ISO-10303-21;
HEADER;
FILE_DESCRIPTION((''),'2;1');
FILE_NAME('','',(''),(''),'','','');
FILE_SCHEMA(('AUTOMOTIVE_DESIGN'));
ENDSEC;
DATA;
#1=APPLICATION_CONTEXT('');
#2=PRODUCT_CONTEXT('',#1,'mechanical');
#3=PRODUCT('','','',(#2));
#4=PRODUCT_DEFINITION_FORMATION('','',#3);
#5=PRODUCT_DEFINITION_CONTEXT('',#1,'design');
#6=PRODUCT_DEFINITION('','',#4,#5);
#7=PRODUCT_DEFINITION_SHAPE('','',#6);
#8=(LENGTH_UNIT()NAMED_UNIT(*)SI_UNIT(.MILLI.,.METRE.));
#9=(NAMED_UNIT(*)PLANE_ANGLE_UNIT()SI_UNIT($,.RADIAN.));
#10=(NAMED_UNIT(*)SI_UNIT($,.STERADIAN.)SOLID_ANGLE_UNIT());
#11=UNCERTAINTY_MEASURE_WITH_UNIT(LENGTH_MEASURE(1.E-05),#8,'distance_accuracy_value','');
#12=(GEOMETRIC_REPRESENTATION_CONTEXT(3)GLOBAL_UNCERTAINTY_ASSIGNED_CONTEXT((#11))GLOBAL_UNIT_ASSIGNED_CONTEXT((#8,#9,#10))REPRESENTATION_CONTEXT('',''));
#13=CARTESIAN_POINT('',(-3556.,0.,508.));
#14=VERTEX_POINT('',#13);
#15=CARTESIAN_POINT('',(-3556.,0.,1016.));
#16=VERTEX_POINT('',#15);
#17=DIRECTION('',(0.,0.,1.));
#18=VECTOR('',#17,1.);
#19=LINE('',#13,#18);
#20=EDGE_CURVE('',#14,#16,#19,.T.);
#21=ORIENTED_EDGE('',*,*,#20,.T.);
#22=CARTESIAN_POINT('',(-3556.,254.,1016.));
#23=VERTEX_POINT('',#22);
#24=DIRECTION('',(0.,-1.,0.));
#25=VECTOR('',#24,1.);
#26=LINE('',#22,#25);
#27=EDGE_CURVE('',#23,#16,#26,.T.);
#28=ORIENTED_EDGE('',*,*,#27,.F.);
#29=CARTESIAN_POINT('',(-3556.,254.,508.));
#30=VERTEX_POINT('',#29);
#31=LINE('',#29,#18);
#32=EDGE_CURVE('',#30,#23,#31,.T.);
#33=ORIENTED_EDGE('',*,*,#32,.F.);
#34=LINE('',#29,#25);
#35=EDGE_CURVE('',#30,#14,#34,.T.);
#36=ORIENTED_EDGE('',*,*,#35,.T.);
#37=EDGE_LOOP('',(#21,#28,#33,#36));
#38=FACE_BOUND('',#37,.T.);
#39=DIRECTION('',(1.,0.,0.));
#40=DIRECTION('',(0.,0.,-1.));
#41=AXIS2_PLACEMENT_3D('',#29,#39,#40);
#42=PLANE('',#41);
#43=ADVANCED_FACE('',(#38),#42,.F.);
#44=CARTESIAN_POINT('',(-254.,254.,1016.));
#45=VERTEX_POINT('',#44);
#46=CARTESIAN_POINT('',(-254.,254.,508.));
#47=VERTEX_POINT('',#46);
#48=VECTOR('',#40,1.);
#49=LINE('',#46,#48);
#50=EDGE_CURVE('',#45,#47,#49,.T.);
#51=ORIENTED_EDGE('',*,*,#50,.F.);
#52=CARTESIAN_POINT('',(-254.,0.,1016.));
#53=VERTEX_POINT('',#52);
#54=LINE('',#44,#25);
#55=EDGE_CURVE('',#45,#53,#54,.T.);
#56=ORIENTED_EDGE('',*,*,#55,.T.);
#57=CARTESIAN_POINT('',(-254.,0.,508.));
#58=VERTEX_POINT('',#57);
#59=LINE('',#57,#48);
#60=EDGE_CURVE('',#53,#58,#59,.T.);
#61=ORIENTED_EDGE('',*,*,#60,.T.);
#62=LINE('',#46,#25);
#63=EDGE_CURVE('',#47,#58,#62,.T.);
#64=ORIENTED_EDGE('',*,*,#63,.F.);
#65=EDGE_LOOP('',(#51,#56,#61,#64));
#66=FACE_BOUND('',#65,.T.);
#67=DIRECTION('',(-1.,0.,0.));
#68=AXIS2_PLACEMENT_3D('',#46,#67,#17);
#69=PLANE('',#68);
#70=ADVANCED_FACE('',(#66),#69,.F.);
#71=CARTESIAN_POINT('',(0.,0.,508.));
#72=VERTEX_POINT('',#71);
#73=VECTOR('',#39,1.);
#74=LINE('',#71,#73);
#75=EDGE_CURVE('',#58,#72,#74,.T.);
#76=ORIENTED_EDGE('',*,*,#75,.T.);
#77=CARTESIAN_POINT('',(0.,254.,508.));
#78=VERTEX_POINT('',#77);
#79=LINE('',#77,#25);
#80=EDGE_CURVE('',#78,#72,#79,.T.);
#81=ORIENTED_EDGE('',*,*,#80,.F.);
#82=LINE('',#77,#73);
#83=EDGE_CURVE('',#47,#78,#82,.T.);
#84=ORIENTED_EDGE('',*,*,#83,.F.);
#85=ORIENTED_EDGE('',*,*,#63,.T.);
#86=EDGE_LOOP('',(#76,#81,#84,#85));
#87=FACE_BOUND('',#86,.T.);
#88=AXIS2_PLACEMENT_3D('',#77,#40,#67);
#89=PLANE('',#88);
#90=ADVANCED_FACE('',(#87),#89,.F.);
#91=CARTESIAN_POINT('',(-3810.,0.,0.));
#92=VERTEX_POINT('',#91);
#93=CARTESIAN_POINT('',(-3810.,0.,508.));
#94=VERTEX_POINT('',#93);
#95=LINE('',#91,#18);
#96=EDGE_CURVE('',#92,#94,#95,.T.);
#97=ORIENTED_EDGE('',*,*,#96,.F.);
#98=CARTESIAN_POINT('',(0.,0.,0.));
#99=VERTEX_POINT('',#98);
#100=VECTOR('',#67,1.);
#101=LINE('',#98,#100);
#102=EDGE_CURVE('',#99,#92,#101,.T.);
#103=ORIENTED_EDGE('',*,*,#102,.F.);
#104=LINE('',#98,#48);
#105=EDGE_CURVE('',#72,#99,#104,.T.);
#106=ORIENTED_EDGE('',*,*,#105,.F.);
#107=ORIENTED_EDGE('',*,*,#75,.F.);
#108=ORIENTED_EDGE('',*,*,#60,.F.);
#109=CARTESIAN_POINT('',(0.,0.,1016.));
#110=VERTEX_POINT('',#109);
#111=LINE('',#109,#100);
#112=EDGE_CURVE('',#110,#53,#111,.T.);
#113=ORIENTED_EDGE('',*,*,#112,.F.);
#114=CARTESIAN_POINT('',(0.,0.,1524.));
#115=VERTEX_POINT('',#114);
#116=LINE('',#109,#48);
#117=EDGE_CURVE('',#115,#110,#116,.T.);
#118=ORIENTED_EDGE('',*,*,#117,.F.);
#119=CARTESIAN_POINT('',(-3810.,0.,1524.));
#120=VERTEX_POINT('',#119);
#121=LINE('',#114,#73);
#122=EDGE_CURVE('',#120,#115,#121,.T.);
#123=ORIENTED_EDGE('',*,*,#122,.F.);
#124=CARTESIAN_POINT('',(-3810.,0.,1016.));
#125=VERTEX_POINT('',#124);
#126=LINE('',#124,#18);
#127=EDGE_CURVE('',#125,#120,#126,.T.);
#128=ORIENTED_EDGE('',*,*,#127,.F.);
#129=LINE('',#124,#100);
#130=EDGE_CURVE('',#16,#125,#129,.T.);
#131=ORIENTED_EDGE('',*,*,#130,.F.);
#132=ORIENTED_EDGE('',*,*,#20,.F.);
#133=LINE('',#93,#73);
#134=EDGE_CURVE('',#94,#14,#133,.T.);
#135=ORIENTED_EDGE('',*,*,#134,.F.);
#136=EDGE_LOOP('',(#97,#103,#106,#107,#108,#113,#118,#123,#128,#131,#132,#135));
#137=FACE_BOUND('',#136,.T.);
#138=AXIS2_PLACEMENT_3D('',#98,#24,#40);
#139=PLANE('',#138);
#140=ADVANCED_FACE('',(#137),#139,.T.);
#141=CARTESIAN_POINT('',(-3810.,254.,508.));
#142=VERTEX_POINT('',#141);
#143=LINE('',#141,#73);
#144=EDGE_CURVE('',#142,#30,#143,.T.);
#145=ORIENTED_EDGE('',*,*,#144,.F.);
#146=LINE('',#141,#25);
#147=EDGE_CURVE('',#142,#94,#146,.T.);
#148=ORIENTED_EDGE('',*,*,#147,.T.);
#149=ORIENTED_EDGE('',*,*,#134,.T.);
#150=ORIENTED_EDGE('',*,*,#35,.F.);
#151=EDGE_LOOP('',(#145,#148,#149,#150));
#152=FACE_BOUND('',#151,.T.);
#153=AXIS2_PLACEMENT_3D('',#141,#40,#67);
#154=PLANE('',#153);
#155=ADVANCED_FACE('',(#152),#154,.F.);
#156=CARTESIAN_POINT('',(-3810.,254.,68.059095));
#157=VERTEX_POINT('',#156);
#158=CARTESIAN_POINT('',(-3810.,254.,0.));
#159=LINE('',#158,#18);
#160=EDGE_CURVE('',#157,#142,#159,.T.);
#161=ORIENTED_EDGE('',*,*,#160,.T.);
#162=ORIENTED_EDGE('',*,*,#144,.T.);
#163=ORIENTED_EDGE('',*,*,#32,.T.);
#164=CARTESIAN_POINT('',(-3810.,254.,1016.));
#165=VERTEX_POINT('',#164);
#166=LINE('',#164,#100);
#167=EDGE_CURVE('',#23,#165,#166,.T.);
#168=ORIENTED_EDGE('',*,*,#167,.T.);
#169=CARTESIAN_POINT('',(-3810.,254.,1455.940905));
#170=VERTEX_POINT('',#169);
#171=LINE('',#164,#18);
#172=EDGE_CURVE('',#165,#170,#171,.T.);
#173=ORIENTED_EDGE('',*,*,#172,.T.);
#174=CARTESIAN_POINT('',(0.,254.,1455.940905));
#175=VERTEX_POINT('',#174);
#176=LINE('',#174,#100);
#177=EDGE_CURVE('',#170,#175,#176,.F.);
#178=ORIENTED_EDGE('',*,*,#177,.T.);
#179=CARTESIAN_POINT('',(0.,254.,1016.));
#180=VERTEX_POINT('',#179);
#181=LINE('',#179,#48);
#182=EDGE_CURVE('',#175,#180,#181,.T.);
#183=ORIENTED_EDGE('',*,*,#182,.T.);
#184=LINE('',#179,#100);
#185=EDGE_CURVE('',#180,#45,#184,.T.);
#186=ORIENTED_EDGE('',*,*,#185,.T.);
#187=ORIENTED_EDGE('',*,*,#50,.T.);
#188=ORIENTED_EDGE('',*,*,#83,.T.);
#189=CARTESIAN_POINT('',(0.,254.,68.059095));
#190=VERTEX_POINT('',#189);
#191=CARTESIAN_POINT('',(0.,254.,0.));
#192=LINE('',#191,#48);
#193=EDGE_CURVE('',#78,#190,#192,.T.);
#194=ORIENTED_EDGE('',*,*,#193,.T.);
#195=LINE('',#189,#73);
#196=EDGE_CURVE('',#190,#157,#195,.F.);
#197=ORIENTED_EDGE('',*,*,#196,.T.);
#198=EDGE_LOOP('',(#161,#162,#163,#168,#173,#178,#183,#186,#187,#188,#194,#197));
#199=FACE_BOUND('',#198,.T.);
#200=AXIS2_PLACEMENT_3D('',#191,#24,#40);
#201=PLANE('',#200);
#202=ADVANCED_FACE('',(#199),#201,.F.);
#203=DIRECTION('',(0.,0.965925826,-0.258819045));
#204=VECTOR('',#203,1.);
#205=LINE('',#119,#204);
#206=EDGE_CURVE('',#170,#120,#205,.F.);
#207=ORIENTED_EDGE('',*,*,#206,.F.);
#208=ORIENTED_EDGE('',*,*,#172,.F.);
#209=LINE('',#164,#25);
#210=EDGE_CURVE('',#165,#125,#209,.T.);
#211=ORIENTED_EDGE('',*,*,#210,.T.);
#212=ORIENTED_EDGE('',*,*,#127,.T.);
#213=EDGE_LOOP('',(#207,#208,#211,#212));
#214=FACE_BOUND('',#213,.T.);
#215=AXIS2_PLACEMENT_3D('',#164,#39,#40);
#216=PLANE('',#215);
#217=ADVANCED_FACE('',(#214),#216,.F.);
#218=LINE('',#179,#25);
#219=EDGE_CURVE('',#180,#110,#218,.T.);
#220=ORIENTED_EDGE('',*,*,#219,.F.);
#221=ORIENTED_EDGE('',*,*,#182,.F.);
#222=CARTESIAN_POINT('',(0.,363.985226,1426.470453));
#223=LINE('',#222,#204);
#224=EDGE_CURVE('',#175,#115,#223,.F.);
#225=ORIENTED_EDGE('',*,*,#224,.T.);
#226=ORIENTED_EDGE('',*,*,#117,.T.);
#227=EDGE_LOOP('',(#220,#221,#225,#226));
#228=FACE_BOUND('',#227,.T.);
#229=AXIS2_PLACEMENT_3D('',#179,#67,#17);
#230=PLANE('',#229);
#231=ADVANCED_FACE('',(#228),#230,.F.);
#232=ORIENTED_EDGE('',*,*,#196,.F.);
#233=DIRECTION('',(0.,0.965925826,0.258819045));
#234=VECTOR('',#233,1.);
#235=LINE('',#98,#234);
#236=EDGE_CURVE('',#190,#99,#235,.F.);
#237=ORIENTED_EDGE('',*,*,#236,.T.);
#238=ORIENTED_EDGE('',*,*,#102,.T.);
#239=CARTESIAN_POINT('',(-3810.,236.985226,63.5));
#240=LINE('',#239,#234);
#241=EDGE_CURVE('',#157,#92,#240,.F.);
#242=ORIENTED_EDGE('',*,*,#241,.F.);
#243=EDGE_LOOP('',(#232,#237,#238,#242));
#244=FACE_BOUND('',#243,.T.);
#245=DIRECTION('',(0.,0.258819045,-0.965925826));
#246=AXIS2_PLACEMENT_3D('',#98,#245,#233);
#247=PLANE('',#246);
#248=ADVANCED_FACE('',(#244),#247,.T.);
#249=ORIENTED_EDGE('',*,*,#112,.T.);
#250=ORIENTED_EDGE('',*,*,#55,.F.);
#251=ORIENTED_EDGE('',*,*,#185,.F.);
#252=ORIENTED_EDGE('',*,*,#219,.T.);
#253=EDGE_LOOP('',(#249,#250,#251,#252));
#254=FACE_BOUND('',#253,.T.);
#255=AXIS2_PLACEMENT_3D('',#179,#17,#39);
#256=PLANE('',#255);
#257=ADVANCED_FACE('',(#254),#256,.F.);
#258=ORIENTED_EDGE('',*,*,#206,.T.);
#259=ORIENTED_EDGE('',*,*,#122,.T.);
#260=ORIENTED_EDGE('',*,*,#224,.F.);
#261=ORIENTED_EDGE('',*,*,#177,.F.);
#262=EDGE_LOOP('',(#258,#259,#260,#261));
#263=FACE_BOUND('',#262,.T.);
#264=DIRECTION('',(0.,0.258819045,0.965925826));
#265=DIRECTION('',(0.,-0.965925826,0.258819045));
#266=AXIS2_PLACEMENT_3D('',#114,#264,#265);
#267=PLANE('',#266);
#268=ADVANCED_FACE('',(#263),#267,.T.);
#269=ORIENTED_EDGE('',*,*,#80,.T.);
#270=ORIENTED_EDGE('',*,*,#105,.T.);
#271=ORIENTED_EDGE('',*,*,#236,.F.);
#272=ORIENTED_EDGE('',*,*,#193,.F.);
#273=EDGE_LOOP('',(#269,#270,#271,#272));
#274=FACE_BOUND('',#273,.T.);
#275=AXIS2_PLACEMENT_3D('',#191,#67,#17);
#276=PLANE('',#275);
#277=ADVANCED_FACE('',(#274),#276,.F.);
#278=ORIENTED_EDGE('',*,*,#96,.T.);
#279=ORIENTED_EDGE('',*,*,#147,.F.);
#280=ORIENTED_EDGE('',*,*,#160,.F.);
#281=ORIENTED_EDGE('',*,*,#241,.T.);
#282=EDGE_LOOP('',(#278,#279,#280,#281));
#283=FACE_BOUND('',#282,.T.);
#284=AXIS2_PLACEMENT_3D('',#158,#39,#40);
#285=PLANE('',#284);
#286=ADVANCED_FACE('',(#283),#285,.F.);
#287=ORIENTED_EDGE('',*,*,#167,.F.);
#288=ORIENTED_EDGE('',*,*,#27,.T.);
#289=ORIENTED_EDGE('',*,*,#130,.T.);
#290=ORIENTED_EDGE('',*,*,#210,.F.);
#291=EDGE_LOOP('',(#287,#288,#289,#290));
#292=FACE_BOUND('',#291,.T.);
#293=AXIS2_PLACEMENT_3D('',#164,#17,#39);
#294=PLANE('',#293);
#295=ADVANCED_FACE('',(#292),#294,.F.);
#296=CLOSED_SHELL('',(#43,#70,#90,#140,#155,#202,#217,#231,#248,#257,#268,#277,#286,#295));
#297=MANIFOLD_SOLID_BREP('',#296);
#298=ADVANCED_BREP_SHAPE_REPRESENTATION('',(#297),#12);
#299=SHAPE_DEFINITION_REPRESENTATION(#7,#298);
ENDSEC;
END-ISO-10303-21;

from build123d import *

# Parameters (mm, degrees)
BOSS_EXTRUDE1_DEPTH = 254
DRAFT1_ANGLE        = -15


with BuildPart() as part:
    # Sketch2 → Boss-Extrude1 (new body)
    with BuildSketch(Plane(origin=(0, 0, 0), x_dir=(1, 0, 0), z_dir=(0, 1, 0))):
        Polygon((-3810, -1016), (-3810, -1524), (0, -1524), (0, -1016), (-254, -1016), (-254, -508), (0, -508), (0, 0), (-3810, 0), (-3810, -508), (-3556, -508), (-3556, -1016), align=None)
    extrude(amount=BOSS_EXTRUDE1_DEPTH)

    # Draft1
    draft1_faces = [part.faces().sort_by_distance(p)[0] for p in [
        (-1905, 127, 0),
        (-1905, 127, 1524),
    ]]
    draft(draft1_faces, Plane(origin=(0, 0, 0), x_dir=(0, 0, -1), z_dir=(0, -1, 0)), DRAFT1_ANGLE)


solid = part.part
